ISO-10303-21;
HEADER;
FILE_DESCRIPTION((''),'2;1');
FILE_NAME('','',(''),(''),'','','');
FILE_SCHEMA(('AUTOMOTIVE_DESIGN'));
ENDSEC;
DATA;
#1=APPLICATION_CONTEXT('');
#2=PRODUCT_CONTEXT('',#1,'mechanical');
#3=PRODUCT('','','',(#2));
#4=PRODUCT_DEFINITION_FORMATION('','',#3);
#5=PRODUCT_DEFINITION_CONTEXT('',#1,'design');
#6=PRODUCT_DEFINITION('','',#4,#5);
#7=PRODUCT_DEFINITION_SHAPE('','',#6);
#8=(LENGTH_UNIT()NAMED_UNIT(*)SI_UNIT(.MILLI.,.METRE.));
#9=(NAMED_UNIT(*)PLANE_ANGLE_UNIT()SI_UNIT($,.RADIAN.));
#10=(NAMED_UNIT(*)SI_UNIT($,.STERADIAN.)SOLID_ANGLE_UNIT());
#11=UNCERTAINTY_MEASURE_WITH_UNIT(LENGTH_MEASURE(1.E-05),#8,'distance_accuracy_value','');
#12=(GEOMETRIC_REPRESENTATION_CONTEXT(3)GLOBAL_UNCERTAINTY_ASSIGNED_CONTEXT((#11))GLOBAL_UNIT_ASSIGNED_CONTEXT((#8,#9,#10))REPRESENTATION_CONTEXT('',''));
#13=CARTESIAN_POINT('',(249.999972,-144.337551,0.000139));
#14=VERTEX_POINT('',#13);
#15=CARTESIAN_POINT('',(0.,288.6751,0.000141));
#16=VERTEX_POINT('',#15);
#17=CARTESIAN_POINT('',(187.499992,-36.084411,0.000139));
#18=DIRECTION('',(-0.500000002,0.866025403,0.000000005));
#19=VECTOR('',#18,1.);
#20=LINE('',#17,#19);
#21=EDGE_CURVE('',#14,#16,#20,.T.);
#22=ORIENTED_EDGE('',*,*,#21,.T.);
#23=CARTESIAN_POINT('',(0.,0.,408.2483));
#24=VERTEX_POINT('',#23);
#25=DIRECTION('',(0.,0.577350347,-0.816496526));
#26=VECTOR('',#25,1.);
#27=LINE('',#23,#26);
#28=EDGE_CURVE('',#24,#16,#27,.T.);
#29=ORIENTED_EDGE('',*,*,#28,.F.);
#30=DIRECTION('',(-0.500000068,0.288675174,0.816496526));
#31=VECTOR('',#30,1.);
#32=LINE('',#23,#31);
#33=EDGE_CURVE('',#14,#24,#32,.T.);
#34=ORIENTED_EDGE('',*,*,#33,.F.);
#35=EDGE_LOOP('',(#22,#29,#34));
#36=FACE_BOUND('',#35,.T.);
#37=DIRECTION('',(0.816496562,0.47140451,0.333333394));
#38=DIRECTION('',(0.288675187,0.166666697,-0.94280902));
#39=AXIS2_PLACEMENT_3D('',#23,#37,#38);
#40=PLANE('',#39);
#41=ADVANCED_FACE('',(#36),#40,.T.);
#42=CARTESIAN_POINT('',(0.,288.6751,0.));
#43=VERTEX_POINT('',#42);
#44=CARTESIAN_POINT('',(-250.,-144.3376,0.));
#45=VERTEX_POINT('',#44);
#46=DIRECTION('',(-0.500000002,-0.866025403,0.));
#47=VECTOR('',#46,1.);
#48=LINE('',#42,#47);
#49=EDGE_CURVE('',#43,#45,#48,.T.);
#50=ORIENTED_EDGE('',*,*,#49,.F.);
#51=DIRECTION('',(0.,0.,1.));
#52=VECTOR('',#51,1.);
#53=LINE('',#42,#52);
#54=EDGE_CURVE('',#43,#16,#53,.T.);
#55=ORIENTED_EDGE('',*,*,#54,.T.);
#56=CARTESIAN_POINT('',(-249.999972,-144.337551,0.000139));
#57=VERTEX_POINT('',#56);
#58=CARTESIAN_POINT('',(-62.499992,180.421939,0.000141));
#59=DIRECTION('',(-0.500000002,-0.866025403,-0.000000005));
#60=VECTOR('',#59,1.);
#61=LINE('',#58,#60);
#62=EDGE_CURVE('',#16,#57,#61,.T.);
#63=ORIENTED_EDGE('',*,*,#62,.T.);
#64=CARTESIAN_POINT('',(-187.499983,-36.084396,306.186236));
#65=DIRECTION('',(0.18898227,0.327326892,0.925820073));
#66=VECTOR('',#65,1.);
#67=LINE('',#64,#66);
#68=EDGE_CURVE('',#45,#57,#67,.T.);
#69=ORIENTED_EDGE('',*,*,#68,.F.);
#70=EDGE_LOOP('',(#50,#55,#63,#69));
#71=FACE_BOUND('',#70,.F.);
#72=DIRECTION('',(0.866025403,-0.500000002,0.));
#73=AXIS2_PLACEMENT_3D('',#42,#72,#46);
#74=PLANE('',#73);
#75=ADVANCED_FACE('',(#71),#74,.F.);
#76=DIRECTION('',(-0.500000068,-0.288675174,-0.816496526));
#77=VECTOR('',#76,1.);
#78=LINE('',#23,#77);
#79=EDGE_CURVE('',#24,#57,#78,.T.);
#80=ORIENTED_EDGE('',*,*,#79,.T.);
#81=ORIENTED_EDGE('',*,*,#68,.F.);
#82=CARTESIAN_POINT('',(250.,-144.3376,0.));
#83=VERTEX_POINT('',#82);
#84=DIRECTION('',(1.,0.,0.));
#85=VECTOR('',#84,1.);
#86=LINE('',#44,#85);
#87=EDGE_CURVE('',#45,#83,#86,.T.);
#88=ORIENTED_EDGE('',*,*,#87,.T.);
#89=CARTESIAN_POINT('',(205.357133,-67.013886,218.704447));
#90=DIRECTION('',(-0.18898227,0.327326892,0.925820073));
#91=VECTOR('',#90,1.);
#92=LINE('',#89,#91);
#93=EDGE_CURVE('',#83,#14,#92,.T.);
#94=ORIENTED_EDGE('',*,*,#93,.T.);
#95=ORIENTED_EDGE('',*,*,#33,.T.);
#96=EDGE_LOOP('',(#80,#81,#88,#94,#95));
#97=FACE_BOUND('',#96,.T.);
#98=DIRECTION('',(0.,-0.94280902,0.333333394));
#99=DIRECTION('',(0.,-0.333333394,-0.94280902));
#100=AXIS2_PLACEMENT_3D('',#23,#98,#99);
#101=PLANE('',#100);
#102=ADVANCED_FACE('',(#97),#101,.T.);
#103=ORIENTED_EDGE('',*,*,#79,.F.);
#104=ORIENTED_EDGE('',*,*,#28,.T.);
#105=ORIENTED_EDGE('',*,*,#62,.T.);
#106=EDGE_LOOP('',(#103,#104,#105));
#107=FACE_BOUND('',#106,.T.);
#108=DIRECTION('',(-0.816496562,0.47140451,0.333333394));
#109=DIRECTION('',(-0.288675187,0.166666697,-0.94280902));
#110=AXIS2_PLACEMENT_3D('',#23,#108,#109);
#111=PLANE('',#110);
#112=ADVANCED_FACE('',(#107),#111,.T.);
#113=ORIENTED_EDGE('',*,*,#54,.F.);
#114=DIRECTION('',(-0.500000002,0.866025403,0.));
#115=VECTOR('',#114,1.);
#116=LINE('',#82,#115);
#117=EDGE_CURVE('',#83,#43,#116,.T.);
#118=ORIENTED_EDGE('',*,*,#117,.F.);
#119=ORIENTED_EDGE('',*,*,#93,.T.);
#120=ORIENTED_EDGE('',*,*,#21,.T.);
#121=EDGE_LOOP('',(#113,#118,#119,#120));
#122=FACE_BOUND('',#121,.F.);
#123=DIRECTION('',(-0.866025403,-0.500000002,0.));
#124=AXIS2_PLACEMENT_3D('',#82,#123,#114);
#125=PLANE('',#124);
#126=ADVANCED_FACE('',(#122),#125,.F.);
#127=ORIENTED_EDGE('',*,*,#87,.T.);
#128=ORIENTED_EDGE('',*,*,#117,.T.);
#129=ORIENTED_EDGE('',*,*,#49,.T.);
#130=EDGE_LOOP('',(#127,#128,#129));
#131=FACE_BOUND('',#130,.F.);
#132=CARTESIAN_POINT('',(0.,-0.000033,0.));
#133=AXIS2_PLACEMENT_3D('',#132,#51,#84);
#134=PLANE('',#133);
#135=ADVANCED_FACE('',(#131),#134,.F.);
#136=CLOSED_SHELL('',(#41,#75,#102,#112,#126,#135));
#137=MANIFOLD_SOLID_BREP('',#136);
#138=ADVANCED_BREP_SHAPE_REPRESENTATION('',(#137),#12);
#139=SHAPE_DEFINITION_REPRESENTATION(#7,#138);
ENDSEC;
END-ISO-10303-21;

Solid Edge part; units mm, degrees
sketch "Sketch1" plane through (0, 0, 0) normal (0, 0, 1) x (1, 0, 0)
  line L0 (-250, -144.3376) -> (250, -144.3376)
  line L1 (250, -144.3376) -> (0, 288.6751)
  line L2 (0, 288.6751) -> (-250, -144.3376)
extrude "Protrusion1" add sketch "Sketch1" along normal up to vertex (408.2483 mm away)
sketch "Sketch2" plane through (0, 0, 0) normal (1, 0, 0) x (0, 1, 0)
  line L0 (0, 408.2483) -> (-144.3376, 0)
extrude "Cutout1" cut sketch "Sketch2" against normal up to next and the other way up to next material side at (0, -72.2159, 204.1408)
pattern_circular "Pattern1" count 3 over 360 about axis through (0, 0, 408.2483) along (0, 0, -1) of "Cutout1"
